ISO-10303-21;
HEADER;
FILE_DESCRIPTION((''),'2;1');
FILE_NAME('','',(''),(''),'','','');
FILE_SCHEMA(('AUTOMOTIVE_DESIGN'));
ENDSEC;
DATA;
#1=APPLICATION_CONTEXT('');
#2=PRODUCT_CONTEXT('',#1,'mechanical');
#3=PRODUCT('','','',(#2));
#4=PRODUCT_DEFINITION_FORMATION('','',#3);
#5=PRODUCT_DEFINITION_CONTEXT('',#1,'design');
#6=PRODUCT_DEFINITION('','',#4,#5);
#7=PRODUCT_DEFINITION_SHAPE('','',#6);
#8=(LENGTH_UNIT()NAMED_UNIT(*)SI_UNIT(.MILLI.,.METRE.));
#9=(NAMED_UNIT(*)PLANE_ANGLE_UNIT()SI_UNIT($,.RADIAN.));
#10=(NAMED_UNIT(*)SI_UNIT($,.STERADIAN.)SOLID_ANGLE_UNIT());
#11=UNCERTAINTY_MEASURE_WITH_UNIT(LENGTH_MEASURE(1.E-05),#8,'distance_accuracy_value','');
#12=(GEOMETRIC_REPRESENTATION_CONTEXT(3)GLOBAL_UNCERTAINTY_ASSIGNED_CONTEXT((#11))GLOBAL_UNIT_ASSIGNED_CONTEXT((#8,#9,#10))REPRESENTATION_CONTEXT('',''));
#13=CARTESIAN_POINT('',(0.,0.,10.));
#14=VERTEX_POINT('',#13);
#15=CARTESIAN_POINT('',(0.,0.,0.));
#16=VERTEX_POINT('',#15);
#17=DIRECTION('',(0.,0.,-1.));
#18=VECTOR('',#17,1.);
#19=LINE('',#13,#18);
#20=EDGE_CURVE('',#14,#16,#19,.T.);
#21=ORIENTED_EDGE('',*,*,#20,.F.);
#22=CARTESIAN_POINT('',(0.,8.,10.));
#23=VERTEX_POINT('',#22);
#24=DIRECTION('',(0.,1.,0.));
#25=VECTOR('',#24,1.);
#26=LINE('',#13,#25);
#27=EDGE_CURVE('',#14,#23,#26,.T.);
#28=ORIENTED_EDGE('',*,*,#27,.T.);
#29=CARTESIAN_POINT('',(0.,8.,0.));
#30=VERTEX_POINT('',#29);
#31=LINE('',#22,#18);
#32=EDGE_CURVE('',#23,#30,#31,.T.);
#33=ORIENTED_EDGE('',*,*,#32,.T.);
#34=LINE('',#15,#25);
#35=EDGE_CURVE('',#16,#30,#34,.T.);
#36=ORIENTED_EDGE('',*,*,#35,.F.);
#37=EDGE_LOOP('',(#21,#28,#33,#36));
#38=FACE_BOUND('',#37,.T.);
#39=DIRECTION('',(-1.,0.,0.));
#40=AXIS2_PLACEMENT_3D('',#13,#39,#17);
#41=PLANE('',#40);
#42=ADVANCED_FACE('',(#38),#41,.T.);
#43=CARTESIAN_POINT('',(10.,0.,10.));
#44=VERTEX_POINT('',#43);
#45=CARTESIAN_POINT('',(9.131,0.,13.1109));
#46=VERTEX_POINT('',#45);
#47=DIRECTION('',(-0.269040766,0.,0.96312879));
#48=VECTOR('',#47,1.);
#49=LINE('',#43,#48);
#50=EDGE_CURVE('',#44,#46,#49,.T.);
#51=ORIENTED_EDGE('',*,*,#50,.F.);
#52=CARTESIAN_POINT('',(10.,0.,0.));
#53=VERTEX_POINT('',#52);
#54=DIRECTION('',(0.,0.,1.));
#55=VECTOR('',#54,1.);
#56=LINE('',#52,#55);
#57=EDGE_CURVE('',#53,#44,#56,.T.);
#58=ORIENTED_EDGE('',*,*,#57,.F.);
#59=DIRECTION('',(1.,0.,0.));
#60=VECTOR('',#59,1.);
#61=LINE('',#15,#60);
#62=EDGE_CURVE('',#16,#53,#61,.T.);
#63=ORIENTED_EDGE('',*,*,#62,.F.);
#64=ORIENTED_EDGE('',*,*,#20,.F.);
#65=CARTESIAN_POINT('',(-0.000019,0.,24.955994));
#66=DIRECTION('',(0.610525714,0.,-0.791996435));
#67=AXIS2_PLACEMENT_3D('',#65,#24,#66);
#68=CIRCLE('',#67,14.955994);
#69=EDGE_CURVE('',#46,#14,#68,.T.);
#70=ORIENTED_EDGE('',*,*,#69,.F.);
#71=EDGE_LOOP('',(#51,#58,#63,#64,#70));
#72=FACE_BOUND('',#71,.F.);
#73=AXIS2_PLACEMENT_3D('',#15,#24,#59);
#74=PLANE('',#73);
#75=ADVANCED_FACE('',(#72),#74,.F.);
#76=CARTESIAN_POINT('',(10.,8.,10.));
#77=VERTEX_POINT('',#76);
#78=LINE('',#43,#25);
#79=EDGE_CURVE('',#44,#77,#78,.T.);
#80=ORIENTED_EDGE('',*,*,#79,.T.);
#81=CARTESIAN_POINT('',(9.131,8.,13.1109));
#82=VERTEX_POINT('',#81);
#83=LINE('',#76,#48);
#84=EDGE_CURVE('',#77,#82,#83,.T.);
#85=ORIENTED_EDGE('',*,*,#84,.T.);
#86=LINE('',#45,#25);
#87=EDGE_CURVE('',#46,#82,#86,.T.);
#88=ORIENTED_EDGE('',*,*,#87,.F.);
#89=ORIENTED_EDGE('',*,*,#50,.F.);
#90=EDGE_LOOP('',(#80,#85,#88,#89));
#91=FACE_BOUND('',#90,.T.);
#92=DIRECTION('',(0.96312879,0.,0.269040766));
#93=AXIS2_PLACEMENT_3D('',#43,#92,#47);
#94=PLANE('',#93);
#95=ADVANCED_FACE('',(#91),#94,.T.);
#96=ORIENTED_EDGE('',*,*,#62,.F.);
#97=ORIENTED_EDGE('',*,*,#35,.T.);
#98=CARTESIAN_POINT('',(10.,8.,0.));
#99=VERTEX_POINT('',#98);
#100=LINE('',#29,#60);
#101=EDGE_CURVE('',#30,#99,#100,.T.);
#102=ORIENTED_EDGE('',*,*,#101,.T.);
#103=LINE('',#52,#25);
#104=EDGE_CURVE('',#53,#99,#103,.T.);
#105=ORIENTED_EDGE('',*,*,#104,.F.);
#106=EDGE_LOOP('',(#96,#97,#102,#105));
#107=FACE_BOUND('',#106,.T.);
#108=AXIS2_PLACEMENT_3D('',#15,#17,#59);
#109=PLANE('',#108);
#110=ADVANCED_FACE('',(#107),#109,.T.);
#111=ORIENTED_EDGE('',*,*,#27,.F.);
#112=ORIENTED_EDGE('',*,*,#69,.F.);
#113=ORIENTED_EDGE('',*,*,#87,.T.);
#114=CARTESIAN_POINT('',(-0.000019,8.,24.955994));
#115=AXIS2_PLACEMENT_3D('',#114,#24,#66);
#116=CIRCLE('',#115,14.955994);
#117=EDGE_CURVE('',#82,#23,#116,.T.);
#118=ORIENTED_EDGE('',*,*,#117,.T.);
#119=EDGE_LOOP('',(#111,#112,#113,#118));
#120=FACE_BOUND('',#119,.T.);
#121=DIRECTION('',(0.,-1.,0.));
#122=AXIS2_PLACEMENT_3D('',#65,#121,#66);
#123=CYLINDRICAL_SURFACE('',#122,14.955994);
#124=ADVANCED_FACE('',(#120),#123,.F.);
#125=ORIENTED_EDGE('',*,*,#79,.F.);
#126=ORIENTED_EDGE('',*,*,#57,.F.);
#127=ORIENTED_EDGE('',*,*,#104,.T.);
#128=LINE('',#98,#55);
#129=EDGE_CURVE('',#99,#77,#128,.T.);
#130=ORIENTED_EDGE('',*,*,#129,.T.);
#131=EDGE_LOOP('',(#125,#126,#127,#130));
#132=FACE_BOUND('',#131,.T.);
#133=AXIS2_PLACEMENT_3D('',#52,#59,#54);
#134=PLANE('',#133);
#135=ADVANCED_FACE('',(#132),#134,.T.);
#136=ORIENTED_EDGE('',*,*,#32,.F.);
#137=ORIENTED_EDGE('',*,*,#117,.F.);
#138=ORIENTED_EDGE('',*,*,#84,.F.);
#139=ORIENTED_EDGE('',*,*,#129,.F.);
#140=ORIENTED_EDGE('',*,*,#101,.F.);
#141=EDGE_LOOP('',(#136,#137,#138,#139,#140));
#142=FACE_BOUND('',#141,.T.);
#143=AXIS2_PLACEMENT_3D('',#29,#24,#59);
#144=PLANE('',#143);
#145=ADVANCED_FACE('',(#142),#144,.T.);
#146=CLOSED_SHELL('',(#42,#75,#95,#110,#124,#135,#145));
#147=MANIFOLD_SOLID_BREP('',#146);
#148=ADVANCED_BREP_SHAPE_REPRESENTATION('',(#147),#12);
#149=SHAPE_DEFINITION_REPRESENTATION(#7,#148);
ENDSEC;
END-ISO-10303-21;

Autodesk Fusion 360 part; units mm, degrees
sketch "Sketch1" plane through (0, 0, 0) normal (0, 1, 0) x (1, 0, 0)
  line L0 (0, 0) -> (10, 0)
  line L1 (10, 0) -> (10, -10)
  line L2 (0, -10) -> (0, 0)
  line L3 (10, -10) -> (9.131, -13.1109)
  arc A0 (9.131, -13.1109) -> (0, -10) centre (0, -24.956) ccw
  dimension "d1" = 10
  dimension "d2" = 10
  dimension "d3" = 3.23
extrude "Extrude1" add sketch "Sketch1" along normal blind 8
